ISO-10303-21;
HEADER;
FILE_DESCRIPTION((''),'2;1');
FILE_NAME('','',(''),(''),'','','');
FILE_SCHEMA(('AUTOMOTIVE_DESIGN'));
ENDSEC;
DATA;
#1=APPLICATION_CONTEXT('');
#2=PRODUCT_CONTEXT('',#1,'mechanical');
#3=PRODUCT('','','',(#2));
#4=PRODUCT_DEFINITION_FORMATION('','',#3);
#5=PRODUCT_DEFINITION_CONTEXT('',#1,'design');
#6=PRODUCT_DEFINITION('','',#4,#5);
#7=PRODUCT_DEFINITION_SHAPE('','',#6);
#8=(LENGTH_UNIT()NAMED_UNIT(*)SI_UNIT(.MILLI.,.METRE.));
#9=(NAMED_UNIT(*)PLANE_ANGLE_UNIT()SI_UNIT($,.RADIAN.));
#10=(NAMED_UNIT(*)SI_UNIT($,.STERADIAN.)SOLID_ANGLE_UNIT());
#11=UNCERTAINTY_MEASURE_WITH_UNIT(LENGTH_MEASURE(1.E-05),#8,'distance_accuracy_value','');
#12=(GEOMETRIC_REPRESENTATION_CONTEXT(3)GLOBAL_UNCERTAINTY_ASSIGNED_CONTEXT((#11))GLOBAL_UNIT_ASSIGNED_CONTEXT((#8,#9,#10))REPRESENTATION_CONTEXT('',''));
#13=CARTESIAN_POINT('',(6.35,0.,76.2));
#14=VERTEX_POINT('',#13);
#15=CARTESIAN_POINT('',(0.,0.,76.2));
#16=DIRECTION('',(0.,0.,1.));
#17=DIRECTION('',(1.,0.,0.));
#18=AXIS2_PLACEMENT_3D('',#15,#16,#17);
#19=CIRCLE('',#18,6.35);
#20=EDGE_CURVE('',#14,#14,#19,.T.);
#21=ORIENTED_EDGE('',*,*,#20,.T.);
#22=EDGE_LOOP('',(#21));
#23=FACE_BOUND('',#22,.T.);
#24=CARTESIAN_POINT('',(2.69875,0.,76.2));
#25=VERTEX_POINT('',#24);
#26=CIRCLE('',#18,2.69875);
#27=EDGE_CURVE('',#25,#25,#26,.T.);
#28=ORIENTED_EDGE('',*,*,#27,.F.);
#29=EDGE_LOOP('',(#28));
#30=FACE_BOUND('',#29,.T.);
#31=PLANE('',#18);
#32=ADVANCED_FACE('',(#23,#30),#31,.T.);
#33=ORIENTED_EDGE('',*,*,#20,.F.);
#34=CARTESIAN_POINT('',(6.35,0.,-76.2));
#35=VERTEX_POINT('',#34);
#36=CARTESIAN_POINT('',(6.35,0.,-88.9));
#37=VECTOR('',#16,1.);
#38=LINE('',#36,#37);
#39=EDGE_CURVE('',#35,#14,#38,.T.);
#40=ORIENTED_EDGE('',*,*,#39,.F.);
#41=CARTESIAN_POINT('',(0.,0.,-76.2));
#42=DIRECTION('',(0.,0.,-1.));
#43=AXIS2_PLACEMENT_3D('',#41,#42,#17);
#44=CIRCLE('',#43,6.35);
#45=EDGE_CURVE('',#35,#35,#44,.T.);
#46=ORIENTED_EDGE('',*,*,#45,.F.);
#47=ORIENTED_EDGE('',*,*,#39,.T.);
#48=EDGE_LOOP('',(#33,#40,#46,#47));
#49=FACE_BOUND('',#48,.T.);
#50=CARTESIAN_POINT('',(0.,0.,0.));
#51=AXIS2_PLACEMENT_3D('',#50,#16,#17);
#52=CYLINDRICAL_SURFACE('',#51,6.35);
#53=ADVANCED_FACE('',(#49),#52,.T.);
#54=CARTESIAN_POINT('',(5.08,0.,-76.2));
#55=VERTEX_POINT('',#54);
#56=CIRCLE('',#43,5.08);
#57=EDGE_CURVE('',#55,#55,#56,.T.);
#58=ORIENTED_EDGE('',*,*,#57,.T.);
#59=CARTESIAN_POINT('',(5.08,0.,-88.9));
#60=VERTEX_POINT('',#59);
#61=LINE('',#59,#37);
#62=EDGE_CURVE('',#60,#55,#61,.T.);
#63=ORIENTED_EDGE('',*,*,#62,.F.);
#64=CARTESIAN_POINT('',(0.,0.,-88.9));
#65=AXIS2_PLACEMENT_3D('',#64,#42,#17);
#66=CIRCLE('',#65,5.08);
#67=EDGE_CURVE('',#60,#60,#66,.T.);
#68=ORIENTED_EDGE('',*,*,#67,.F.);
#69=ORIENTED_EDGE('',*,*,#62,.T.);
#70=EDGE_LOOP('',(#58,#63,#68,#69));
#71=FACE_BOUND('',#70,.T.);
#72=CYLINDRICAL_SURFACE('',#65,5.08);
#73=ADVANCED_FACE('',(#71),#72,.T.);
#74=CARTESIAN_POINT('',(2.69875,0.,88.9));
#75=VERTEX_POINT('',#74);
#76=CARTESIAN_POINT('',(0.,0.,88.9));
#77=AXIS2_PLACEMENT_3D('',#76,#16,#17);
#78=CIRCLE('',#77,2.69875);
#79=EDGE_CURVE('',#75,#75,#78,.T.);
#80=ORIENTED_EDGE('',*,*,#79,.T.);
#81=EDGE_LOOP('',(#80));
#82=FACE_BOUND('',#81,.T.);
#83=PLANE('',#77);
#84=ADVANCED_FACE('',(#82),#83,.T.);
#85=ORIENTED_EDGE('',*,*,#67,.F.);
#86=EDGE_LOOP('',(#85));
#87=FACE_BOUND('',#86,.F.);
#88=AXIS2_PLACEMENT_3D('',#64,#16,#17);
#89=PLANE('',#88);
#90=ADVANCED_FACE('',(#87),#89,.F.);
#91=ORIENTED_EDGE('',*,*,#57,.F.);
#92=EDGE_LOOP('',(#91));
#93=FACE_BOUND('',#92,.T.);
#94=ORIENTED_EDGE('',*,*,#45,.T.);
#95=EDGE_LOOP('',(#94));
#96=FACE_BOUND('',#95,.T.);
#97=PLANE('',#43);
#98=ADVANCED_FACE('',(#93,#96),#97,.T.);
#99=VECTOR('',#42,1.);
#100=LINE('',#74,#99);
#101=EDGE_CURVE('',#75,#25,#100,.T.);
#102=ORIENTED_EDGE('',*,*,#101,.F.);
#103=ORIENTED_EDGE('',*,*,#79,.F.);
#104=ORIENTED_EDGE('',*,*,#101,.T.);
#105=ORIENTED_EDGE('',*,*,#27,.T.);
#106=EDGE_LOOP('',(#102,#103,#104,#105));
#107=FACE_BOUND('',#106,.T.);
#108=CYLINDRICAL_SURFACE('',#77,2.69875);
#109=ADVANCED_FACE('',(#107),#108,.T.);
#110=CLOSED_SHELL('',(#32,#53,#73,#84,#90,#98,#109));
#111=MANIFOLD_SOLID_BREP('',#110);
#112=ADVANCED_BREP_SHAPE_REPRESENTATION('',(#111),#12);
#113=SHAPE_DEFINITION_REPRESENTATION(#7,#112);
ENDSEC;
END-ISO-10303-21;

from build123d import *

# Parameters (mm, degrees)
F0_R     = 6.35
F1_DEPTH = 88.9
F2_R     = 6.35
F2_R_2   = 2.69875
F3_DEPTH = 12.7
F4_R     = 6.35
F4_R_2   = 5.08
F5_DEPTH = 12.7


with BuildPart() as f1:
    # F0 (on Top) → F1 (new body, symmetric)
    with BuildSketch(Plane.XY):
        Circle(F0_R)
    extrude(amount=F1_DEPTH, both=True)

    # F2 (on face) → F3 (cut)
    with BuildSketch(Plane.XY.offset(88.9)):
        Circle(F2_R)
        Circle(F2_R_2, mode=Mode.SUBTRACT)
    extrude(amount=-F3_DEPTH, mode=Mode.SUBTRACT)

    # F4 (on face) → F5 (cut)
    with BuildSketch(Plane(origin=(0, 0, -88.9), x_dir=(1, 0, 0), z_dir=(0, 0, -1))):
        Circle(F4_R)
        Circle(F4_R_2, mode=Mode.SUBTRACT)
    extrude(amount=-F5_DEPTH, mode=Mode.SUBTRACT)


solid = f1.part
